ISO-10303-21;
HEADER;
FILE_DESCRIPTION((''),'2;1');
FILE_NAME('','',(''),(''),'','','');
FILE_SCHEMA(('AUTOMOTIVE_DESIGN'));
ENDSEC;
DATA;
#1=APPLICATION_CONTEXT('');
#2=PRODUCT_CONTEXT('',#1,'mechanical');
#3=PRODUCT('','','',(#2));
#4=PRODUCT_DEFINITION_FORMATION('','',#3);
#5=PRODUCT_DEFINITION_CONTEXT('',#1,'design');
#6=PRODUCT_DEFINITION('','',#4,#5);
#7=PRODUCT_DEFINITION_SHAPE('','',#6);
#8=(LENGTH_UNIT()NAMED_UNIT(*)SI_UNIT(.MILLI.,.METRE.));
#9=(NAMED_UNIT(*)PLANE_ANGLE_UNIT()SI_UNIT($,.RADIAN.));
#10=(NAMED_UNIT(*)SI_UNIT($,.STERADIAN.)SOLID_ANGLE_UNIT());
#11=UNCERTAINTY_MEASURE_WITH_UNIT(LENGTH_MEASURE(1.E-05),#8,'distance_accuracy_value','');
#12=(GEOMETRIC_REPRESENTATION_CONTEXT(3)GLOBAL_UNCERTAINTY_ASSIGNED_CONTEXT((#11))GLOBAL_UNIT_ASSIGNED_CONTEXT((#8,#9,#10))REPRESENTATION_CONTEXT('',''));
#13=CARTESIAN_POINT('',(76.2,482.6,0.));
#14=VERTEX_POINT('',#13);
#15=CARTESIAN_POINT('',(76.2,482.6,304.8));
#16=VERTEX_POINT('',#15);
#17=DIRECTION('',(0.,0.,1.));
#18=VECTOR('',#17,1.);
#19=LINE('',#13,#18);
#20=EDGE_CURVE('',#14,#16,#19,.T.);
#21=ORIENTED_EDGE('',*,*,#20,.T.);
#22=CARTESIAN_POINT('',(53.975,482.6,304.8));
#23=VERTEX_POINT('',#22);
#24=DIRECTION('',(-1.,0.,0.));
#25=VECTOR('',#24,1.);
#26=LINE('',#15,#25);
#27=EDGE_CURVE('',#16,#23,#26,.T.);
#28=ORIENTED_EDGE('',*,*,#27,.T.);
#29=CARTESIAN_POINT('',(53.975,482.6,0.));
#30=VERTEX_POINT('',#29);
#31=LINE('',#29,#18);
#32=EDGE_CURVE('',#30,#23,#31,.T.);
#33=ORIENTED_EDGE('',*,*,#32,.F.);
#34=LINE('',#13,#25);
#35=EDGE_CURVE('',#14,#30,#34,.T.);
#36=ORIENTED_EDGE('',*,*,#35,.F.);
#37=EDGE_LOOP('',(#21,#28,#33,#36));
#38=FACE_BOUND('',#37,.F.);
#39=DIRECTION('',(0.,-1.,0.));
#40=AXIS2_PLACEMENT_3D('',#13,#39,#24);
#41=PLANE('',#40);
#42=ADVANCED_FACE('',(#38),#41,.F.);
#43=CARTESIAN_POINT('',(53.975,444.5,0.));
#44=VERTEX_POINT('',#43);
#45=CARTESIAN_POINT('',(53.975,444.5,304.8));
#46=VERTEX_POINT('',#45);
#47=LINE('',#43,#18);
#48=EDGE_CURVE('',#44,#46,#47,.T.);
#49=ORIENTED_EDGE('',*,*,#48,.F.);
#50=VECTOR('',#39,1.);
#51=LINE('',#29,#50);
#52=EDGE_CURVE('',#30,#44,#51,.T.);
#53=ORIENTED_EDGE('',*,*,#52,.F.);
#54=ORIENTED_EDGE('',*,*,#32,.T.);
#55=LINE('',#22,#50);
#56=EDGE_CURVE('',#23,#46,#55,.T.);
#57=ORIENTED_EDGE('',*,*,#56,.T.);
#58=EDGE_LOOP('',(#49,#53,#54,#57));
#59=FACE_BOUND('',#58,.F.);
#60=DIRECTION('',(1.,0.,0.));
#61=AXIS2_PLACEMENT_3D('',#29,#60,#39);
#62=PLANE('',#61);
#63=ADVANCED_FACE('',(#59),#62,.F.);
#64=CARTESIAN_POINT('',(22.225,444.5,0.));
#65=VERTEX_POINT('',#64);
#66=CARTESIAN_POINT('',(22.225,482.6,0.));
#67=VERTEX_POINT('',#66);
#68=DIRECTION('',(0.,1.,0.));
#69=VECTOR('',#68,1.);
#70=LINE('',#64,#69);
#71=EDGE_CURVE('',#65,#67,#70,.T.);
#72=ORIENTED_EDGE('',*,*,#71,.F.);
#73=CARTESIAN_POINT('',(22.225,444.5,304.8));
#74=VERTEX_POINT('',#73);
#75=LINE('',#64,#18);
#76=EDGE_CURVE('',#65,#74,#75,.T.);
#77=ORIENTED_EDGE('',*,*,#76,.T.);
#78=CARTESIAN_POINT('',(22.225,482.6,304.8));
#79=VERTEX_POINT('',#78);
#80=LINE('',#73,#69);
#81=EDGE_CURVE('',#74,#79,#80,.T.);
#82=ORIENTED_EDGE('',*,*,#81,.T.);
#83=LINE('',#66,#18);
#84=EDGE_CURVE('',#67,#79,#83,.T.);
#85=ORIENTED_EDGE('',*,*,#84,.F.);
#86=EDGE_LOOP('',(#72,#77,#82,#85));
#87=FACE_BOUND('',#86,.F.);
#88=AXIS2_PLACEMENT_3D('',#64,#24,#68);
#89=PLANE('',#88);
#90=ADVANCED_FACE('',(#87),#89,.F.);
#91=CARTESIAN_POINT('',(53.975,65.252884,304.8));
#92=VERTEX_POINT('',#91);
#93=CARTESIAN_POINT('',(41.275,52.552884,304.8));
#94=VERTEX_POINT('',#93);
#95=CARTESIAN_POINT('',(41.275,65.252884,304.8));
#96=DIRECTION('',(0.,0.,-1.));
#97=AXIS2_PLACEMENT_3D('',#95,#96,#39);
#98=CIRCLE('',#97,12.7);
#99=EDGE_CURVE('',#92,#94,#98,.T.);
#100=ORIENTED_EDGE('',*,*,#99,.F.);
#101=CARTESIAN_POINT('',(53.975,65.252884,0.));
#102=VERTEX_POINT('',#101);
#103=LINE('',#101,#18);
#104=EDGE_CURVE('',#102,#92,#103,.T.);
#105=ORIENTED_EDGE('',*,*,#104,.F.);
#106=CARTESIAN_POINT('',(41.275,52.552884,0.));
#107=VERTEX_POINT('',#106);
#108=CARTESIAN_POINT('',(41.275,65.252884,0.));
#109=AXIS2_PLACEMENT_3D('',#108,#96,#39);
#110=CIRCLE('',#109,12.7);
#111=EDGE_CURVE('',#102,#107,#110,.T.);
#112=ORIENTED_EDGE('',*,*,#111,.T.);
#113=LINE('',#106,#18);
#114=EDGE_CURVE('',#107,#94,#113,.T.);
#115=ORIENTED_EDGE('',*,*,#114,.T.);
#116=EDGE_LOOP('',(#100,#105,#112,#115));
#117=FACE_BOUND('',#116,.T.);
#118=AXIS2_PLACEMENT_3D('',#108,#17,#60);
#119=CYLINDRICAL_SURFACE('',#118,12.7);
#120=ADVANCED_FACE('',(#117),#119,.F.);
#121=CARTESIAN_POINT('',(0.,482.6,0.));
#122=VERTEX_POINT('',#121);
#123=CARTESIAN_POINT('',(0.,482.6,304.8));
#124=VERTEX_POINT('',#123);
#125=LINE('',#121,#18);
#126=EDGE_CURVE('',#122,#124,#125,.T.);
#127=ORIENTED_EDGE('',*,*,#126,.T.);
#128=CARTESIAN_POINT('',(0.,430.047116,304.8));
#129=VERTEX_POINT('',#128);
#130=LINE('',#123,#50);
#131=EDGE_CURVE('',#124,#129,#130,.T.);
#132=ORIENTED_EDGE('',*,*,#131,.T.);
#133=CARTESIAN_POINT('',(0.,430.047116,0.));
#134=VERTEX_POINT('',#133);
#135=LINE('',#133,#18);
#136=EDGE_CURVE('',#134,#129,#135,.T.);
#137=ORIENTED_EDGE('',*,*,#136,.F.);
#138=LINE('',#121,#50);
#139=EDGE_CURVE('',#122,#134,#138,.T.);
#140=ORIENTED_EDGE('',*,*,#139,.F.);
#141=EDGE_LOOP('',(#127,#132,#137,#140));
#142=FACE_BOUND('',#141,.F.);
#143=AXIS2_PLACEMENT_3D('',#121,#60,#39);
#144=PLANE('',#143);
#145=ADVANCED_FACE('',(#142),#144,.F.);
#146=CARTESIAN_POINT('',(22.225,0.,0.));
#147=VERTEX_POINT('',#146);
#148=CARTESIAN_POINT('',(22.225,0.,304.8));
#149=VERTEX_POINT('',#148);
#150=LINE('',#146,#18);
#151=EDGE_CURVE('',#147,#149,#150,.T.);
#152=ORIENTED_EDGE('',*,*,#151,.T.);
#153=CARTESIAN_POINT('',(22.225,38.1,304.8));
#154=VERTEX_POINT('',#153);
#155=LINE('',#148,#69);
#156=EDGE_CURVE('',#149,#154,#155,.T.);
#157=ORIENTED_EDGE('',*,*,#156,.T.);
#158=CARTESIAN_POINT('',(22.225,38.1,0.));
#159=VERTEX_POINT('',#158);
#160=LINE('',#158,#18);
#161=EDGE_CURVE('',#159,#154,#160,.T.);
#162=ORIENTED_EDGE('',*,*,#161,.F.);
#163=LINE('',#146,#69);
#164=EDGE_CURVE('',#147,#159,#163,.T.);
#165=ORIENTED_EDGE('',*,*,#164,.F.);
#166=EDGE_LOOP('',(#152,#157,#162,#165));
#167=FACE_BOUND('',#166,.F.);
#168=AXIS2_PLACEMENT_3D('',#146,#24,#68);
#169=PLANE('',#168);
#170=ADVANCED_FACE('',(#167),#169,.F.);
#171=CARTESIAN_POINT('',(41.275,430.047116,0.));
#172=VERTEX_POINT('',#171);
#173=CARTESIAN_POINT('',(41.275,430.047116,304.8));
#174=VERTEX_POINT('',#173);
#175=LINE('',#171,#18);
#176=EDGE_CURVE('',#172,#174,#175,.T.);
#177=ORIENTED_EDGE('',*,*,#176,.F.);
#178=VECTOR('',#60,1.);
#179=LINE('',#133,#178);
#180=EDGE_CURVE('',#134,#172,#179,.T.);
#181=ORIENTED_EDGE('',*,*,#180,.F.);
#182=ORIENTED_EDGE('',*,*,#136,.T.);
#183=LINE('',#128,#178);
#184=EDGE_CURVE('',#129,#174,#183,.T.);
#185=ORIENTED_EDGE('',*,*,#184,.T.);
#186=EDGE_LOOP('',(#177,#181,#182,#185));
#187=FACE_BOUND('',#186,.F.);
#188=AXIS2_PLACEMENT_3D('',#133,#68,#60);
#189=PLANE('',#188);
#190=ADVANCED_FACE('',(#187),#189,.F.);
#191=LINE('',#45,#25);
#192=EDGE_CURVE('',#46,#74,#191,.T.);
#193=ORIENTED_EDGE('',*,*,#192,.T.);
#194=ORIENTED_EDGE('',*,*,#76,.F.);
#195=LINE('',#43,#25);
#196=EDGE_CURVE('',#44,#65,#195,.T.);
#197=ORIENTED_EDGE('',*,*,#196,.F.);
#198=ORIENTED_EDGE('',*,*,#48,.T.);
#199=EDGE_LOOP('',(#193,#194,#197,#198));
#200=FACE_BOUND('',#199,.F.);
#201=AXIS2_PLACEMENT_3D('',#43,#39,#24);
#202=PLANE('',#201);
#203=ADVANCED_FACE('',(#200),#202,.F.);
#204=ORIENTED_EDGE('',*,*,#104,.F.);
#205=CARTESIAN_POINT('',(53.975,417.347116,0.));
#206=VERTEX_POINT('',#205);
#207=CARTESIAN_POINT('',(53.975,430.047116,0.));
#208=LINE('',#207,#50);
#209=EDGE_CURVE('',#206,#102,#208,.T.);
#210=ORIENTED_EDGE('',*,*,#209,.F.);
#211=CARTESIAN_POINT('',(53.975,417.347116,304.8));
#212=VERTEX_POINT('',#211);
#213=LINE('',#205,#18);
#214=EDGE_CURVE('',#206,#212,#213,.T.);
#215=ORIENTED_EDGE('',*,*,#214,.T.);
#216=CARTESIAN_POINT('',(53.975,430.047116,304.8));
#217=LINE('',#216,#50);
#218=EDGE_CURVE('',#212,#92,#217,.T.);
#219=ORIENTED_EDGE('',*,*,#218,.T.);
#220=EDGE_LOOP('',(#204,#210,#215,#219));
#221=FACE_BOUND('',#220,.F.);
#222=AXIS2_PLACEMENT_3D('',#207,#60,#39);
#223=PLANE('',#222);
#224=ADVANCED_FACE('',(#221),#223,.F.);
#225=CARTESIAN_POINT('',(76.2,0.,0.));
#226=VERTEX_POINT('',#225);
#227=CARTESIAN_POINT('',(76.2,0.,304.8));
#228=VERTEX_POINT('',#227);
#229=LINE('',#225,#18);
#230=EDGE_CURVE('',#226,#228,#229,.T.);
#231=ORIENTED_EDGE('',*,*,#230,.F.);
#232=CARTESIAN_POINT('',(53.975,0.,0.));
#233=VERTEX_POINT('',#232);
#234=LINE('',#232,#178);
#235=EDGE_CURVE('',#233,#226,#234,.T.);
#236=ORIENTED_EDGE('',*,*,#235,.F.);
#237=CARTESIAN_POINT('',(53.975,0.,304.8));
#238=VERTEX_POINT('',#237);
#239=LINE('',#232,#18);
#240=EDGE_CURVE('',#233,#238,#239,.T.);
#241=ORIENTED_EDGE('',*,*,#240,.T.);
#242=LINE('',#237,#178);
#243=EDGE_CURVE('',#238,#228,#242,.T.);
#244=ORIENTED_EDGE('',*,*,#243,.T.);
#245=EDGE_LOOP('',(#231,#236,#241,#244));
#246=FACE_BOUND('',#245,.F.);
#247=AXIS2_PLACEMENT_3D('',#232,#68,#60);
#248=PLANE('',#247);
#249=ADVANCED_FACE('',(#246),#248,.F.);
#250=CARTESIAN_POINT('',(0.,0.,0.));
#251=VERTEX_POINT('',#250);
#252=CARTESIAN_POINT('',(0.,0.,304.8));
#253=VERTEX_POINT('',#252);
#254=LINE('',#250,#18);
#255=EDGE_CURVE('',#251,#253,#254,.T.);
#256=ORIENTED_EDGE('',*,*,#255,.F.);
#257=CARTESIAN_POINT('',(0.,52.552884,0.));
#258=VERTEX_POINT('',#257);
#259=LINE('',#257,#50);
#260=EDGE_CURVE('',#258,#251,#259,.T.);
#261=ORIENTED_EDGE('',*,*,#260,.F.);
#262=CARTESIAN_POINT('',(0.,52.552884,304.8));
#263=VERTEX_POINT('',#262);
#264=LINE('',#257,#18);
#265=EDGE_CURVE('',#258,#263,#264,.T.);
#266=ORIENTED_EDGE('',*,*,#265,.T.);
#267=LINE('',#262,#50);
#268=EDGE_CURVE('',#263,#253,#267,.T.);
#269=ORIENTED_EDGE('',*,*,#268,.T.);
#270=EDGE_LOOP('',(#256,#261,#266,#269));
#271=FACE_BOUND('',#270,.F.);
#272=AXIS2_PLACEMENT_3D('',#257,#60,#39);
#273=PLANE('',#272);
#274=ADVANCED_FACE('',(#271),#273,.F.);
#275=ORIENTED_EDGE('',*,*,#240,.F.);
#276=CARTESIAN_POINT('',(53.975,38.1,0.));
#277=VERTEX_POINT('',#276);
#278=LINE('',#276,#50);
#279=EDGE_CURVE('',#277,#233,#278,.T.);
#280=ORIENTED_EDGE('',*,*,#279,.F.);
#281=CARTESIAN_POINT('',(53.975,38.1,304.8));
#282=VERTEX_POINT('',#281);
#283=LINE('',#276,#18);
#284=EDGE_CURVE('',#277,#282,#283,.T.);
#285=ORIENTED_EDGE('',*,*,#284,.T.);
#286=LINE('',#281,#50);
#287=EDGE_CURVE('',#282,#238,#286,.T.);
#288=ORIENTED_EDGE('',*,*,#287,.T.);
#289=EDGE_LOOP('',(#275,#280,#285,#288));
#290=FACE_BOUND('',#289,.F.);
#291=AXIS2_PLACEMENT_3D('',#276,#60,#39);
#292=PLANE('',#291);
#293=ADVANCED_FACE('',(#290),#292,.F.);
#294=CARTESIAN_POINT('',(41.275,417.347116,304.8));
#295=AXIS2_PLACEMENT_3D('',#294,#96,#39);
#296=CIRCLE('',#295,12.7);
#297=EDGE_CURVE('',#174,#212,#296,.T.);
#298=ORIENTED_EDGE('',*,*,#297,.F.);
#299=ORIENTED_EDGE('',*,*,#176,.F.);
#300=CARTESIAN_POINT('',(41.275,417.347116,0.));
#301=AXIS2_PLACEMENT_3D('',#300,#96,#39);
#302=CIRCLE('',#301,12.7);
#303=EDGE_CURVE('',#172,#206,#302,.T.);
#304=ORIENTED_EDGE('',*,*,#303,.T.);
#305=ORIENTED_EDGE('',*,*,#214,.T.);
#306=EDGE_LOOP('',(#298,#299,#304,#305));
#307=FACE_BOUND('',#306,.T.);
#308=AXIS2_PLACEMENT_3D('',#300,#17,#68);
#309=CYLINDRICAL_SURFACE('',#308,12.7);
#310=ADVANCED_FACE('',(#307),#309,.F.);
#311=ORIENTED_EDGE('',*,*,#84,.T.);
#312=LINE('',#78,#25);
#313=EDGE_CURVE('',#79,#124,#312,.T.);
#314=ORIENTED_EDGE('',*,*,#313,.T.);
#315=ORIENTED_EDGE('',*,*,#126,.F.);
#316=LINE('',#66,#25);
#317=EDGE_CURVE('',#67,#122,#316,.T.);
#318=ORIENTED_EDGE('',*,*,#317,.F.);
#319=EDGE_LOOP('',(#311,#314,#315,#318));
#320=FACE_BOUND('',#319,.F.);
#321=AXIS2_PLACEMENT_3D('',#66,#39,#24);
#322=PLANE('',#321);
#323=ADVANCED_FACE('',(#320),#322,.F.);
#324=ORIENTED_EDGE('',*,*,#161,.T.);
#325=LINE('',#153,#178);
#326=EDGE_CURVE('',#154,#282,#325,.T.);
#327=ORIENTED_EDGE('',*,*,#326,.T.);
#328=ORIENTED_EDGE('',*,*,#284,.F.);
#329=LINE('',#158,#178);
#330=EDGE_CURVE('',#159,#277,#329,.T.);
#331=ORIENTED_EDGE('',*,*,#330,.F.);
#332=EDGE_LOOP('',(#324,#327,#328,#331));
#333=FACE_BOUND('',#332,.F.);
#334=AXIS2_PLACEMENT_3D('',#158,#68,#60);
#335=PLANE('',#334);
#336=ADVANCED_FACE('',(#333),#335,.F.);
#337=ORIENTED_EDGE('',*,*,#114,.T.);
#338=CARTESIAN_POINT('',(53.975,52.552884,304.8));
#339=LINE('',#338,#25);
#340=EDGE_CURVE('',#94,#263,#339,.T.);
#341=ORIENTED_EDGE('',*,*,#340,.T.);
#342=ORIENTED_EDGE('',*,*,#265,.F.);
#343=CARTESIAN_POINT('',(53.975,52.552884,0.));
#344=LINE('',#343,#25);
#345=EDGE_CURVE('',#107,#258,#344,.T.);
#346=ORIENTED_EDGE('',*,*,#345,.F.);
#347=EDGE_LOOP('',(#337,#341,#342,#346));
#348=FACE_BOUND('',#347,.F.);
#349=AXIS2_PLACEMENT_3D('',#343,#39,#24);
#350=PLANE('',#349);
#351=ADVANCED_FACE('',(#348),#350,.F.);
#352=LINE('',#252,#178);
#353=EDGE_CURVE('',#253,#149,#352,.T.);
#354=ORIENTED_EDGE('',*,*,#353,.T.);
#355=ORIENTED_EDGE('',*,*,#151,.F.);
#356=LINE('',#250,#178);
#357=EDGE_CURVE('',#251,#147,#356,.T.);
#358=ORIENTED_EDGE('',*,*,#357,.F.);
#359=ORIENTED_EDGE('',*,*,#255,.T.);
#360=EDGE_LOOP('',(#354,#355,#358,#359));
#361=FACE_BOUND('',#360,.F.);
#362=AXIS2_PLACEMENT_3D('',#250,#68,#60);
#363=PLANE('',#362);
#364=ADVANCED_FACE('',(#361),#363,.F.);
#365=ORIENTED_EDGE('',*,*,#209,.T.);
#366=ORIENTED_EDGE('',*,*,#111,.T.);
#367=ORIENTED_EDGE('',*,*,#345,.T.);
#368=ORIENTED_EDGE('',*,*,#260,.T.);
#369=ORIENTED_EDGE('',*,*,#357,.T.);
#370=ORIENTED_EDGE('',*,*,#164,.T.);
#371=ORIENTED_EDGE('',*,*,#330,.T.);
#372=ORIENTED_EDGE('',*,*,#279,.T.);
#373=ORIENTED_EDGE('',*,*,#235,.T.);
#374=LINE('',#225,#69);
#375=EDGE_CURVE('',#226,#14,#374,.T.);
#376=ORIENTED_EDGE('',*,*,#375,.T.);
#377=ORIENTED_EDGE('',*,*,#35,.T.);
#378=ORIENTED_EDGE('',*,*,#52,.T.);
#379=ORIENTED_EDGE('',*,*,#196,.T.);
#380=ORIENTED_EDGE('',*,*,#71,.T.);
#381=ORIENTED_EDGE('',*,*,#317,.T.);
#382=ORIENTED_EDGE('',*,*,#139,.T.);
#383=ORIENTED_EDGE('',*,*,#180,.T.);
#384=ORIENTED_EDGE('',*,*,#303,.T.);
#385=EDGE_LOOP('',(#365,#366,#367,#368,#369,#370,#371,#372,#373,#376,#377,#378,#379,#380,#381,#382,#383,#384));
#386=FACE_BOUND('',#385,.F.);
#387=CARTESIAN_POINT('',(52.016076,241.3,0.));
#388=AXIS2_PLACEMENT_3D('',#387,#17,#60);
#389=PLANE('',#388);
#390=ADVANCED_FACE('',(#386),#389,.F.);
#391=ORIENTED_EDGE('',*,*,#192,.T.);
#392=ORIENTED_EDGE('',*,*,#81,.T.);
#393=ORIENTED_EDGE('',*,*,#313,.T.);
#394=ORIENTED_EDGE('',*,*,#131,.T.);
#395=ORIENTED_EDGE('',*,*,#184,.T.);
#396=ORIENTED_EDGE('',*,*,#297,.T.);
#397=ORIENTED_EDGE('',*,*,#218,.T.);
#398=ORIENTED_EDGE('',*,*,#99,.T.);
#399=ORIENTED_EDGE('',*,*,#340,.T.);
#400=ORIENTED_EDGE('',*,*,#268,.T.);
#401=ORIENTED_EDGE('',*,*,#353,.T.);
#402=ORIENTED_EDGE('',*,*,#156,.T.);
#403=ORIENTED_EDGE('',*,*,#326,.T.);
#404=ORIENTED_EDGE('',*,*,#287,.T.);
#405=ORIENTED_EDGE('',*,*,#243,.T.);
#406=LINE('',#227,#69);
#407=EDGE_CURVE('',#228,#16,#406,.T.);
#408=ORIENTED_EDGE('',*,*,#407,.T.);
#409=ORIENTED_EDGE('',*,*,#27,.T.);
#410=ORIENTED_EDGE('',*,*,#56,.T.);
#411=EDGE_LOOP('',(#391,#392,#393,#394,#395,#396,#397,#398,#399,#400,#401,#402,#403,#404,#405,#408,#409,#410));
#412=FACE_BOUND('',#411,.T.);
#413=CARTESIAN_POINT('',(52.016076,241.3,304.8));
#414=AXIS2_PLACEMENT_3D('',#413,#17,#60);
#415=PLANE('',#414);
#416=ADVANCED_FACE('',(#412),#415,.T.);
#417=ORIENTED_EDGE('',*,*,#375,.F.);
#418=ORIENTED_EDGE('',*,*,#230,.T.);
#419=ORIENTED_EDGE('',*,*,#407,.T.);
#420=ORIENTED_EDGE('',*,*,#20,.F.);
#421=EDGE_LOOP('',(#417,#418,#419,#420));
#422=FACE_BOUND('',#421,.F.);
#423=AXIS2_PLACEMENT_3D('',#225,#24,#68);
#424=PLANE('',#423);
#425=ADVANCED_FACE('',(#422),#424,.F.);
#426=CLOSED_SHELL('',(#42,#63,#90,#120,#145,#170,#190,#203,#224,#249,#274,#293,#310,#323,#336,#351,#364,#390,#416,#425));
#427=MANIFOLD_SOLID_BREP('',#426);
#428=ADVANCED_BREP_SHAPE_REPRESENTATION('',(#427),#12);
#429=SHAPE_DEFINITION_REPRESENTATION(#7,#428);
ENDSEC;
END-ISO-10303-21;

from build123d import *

# Parameters (mm, degrees)
F1_DEPTH = 304.8
F2_R     = 12.7


with BuildPart() as f1:
    # F0 (on Top) → F1 (new body)
    with BuildSketch(Plane.XY):
        Polygon((0, 52.552884), (0, 0), (22.225, 0), (22.225, 38.1), (53.975, 38.1), (53.975, 0), (76.2, 0), (76.2, 482.6), (53.975, 482.6), (53.975, 444.5), (22.225, 444.5), (22.225, 482.6), (0, 482.6), (0, 430.047116), (22.225, 430.047116), (53.975, 430.047116), (53.975, 52.552884), (22.225, 52.552884), align=None)
    extrude(amount=F1_DEPTH)

    # F2
    f2_edges = [f1.edges().sort_by_distance(p)[0] for p in [
        (53.975, 430.047116, 152.4),
        (53.975, 52.552884, 152.4),
    ]]
    fillet(f2_edges, radius=F2_R)


solid = f1.part
